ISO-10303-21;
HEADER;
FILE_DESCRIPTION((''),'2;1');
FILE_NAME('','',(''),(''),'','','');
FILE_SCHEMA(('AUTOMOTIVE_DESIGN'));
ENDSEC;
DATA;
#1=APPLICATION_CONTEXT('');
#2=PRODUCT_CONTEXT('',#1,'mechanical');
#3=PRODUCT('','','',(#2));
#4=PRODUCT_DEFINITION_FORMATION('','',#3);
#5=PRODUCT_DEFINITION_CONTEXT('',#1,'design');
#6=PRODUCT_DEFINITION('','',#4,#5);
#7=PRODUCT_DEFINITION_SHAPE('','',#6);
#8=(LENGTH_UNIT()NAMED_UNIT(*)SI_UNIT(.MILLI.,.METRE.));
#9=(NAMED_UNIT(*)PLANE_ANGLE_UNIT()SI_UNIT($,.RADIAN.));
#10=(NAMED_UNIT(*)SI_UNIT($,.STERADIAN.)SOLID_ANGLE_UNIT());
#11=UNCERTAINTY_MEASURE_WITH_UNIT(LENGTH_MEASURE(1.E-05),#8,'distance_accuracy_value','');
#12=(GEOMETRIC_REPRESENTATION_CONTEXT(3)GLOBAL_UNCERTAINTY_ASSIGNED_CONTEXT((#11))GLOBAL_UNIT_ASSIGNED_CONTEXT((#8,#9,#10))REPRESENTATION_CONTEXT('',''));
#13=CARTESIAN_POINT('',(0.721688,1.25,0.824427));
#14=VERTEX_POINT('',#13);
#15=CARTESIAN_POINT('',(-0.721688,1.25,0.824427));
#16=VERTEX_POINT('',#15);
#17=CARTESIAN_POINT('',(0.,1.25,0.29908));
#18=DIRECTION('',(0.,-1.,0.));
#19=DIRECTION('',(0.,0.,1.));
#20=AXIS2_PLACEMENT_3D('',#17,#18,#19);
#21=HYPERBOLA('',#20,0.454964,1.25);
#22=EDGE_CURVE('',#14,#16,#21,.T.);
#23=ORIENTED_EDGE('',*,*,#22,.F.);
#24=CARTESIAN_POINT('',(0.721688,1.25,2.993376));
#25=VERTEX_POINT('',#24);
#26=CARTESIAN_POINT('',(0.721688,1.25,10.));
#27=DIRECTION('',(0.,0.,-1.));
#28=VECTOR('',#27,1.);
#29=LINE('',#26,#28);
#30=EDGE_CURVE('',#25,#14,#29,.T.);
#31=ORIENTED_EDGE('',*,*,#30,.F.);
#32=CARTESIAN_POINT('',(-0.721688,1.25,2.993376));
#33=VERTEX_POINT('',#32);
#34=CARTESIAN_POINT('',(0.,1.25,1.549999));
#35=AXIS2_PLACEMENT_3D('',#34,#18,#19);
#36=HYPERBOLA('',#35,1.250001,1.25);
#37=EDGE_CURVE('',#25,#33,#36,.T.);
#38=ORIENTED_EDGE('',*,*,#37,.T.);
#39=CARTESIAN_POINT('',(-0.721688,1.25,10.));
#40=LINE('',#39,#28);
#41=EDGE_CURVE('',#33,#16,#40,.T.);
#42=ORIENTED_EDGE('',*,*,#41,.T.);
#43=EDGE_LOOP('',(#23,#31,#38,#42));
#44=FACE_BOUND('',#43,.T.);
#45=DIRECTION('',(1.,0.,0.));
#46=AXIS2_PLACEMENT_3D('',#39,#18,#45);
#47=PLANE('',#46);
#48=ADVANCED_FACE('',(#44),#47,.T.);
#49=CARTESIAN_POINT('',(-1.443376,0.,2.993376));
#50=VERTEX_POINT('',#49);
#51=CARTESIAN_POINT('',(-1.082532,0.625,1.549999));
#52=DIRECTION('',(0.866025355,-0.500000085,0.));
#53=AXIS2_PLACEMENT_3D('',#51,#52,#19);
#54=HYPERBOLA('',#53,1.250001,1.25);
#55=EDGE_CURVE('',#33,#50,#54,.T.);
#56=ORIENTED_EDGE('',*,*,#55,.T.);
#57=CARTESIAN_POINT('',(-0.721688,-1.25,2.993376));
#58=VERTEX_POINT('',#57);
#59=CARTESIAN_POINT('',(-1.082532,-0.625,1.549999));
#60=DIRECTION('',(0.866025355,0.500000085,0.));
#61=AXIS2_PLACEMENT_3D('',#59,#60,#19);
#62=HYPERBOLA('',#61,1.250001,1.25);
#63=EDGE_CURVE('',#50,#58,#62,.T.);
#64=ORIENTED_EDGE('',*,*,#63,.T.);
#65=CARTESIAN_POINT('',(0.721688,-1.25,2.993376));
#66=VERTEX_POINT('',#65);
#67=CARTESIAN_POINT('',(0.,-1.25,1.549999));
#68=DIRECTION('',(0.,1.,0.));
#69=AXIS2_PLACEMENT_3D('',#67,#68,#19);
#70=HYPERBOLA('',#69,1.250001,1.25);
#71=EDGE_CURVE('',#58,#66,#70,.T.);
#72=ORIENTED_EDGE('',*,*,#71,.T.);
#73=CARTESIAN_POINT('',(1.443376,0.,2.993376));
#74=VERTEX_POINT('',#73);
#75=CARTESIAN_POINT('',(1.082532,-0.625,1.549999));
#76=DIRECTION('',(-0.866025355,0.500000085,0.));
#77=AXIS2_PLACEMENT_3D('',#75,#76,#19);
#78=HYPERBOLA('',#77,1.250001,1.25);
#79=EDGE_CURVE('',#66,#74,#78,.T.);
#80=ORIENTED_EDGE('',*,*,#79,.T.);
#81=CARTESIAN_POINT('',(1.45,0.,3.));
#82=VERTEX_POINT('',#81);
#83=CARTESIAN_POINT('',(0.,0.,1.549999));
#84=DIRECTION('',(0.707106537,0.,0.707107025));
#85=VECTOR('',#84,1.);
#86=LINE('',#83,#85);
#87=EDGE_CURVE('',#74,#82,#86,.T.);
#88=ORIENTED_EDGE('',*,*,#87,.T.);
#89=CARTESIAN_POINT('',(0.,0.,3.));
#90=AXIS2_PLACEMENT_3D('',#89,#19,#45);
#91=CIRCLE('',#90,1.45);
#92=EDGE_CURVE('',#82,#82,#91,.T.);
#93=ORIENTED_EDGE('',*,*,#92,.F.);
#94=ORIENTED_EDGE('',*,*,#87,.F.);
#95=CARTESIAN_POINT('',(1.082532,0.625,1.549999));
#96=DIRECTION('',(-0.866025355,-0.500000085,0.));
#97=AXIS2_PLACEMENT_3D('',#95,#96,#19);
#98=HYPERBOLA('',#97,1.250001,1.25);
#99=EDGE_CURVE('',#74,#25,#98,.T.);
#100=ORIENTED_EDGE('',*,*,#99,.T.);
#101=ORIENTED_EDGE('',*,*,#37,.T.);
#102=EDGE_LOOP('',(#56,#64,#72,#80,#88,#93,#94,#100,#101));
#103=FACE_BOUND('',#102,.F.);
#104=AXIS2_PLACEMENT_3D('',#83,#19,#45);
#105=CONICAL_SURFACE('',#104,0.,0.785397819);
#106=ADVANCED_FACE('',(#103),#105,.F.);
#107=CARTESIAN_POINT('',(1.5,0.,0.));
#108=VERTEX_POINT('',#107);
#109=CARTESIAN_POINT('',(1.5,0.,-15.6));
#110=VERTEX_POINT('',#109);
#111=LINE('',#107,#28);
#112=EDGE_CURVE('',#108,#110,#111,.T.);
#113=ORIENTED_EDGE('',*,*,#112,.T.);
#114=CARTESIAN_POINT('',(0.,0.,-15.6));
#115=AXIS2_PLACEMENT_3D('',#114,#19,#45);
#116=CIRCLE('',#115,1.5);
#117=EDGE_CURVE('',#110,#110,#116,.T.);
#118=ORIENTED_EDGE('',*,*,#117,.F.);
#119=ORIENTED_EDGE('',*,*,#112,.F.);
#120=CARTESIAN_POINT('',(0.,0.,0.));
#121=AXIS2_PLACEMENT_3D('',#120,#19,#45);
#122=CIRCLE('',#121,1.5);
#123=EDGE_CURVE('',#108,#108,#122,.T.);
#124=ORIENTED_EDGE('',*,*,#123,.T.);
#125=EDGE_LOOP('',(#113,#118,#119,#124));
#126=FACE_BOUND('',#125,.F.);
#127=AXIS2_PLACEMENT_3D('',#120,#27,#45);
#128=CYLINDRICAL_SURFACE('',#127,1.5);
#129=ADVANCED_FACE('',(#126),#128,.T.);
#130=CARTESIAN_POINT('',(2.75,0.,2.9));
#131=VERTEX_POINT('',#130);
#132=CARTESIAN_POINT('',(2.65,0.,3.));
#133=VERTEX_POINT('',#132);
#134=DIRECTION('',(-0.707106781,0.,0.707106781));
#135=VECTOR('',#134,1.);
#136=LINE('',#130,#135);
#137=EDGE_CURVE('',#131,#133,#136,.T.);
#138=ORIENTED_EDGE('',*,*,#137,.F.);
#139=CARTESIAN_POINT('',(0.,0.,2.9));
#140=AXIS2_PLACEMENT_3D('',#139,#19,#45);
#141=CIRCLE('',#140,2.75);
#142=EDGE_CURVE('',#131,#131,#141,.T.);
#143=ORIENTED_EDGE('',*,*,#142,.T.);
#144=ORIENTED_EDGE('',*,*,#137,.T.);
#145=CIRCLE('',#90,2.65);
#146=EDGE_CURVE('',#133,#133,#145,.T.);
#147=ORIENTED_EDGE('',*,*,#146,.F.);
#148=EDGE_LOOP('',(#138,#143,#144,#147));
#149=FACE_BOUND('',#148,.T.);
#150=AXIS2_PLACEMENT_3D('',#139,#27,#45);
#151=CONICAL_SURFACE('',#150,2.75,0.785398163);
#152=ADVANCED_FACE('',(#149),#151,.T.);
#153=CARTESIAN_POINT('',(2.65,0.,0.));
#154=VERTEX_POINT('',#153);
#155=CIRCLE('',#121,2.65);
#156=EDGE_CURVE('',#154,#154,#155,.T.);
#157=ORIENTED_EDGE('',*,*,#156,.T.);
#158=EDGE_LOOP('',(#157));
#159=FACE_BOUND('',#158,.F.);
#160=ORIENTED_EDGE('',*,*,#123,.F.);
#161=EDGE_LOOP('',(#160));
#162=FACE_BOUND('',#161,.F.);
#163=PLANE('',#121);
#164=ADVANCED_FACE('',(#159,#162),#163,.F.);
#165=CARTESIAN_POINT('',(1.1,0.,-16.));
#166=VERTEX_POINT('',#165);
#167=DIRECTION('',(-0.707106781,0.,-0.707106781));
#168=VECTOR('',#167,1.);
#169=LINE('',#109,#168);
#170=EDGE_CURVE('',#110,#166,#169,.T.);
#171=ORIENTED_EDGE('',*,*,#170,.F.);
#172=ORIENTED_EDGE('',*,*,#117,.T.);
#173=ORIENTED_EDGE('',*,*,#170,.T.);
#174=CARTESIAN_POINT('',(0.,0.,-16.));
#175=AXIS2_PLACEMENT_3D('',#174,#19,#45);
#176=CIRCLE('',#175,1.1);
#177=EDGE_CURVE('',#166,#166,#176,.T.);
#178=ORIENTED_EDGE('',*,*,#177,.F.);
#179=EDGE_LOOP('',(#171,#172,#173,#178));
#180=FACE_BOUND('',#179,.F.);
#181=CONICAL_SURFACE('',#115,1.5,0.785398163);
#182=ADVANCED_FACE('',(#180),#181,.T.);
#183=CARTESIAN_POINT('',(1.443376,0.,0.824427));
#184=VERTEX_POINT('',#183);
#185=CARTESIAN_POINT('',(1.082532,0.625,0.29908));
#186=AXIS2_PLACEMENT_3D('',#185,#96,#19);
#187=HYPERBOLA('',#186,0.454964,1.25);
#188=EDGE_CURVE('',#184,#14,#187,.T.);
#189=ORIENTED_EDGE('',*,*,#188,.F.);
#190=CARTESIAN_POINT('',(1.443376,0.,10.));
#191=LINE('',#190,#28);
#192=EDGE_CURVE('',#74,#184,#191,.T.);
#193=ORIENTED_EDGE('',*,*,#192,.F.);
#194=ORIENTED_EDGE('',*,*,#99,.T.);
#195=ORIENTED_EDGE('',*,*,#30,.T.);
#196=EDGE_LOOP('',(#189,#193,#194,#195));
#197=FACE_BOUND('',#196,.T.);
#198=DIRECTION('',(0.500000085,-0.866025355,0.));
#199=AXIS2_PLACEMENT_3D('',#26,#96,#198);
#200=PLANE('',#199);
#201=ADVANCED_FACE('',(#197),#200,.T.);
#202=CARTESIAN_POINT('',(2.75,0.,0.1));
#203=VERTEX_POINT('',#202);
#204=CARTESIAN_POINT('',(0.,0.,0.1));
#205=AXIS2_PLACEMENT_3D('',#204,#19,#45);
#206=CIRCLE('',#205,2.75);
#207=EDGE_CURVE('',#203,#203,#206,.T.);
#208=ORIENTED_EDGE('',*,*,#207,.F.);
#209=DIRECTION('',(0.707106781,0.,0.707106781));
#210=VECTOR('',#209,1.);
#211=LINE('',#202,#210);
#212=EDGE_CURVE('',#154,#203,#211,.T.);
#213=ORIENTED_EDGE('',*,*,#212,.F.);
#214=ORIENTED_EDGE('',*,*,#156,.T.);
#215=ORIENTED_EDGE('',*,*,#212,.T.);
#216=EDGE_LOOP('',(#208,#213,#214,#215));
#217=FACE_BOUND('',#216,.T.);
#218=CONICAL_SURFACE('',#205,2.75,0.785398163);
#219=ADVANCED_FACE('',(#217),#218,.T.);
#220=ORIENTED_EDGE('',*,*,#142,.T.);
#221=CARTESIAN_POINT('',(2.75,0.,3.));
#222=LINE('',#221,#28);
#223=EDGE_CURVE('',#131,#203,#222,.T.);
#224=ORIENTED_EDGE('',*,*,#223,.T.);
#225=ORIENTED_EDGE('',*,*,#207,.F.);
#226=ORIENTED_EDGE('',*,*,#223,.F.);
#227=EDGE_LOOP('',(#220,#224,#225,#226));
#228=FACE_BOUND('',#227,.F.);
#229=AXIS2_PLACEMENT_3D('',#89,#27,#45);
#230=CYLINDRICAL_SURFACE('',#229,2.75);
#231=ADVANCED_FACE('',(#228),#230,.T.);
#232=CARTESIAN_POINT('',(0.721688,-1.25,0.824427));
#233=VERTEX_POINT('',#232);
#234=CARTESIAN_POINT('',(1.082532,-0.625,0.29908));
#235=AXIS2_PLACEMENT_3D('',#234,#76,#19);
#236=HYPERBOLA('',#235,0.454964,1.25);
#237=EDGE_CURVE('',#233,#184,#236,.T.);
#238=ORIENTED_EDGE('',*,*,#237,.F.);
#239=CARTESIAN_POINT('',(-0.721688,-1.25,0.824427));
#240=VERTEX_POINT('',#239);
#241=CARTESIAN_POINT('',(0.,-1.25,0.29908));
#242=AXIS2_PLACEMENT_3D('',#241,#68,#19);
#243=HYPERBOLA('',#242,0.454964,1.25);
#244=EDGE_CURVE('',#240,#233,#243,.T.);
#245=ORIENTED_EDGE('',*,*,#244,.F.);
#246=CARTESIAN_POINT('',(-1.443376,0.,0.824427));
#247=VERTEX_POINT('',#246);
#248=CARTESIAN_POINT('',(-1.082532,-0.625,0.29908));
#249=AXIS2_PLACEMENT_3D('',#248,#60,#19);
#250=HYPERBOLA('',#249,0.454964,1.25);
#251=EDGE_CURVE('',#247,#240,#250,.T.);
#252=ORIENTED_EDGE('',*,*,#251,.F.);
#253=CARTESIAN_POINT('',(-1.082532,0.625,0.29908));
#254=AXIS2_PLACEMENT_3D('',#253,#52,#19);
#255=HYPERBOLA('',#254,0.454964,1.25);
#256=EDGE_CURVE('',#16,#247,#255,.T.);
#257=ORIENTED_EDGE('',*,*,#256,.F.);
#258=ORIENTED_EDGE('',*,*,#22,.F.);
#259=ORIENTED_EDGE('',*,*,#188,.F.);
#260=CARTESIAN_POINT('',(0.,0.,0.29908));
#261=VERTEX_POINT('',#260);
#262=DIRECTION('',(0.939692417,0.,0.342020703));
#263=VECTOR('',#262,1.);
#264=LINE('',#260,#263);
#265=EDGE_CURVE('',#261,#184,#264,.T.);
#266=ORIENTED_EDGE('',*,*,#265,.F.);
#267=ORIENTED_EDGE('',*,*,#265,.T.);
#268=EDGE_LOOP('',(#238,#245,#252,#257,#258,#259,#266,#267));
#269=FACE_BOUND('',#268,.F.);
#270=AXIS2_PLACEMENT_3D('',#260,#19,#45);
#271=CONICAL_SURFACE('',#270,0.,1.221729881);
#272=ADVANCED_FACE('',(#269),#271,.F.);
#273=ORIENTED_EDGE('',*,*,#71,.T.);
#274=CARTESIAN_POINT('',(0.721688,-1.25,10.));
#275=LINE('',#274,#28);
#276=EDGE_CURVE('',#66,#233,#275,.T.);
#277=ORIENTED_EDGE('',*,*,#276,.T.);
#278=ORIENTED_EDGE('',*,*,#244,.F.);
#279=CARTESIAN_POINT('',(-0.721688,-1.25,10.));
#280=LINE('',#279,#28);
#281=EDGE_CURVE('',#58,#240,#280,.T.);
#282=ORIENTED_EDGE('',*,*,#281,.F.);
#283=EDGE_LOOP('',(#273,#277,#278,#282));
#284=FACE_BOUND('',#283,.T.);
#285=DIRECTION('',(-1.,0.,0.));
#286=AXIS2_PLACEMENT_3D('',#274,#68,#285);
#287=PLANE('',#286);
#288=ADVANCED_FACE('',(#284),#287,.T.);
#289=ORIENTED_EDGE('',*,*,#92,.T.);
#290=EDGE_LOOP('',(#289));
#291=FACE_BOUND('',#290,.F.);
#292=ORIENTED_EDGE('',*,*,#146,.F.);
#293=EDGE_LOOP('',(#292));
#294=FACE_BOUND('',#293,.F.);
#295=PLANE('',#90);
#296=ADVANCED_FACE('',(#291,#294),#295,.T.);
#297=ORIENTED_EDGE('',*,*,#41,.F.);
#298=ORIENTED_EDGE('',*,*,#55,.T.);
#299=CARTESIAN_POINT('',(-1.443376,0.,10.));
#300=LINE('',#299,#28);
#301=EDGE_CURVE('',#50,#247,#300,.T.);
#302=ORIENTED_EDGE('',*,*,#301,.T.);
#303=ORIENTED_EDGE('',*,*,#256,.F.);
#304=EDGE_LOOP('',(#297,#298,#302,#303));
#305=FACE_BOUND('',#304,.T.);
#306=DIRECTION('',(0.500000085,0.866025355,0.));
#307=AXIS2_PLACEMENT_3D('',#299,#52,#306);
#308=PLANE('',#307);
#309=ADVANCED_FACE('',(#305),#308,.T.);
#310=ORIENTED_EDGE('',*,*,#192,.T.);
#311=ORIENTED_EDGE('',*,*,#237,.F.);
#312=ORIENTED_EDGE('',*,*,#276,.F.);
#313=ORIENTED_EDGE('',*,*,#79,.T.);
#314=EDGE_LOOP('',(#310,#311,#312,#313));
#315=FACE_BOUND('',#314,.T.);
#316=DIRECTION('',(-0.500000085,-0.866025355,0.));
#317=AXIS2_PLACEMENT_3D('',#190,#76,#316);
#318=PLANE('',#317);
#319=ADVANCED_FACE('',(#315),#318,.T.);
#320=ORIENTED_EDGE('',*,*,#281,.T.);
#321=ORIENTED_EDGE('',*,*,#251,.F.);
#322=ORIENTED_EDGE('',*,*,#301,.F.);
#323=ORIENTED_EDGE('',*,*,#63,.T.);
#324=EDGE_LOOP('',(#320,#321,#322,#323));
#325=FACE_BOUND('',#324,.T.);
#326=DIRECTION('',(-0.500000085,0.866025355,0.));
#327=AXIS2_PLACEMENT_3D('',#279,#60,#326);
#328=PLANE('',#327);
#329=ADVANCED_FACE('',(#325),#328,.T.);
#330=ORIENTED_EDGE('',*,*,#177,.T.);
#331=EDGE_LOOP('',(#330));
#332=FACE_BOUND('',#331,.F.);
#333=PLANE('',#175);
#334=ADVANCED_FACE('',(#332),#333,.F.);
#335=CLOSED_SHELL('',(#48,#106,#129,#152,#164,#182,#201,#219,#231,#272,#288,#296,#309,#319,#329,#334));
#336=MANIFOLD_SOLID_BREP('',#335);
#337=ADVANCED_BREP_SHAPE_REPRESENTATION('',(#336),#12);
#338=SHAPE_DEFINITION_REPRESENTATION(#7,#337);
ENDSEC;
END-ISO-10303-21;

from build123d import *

# Parameters (mm, degrees)
SKETCH001_R     = 3.75
POCKET_DEPTH    = 9.70192
CHAMFER_SIZE    = 0.4
CHAMFER001_SIZE = 0.1


with BuildPart() as pocket:
    # Sketch003 → Revolution001 (revolve)
    with BuildSketch(Plane.XZ):
        Polygon((0, 0.29908), (2.75, 1.3), (2.75, 10), (0, 10), align=None)
    revolve(axis=Axis((0, 0, 0), (0, 0, 1)))

    # Sketch001 → Pocket (cut, through all)
    with BuildSketch(Plane(origin=(0, 0, 10), x_dir=(-1, 0, 0), z_dir=(0, 0, 1))):
        Circle(SKETCH001_R)
        Polygon((-0.721688, 1.25), (0.721688, 1.25), (1.443376, 0), (0.721688, -1.25), (-0.721688, -1.25), (-1.443376, 0), align=None, mode=Mode.SUBTRACT)
    extrude(amount=-POCKET_DEPTH, mode=Mode.SUBTRACT)


with BuildPart() as chamfer001:
    # Sketch → Revolution (revolve)
    with BuildSketch(Plane.XZ):
        Polygon((1.45, 3), (2.75, 3), (2.75, 0), (1.5, 0), (1.5, -16), (0, -16), (0, 1.549999), align=None)
    revolve(axis=Axis((0, 0, 0), (0, 0, 1)))

    # Cut: cut Pocket
    add(pocket.part, mode=Mode.SUBTRACT)

    # Chamfer
    chamfer_edges = [chamfer001.edges().sort_by_distance(p)[0] for p in [
        (-1.5, 0, -16),
    ]]
    chamfer(chamfer_edges, length=CHAMFER_SIZE)

    # Chamfer001
    chamfer001_edges = [chamfer001.edges().sort_by_distance(p)[0] for p in [
        (-2.75, 0, 0),
        (-2.75, 0, 3),
    ]]
    chamfer(chamfer001_edges, length=CHAMFER001_SIZE)


solid = chamfer001.part
